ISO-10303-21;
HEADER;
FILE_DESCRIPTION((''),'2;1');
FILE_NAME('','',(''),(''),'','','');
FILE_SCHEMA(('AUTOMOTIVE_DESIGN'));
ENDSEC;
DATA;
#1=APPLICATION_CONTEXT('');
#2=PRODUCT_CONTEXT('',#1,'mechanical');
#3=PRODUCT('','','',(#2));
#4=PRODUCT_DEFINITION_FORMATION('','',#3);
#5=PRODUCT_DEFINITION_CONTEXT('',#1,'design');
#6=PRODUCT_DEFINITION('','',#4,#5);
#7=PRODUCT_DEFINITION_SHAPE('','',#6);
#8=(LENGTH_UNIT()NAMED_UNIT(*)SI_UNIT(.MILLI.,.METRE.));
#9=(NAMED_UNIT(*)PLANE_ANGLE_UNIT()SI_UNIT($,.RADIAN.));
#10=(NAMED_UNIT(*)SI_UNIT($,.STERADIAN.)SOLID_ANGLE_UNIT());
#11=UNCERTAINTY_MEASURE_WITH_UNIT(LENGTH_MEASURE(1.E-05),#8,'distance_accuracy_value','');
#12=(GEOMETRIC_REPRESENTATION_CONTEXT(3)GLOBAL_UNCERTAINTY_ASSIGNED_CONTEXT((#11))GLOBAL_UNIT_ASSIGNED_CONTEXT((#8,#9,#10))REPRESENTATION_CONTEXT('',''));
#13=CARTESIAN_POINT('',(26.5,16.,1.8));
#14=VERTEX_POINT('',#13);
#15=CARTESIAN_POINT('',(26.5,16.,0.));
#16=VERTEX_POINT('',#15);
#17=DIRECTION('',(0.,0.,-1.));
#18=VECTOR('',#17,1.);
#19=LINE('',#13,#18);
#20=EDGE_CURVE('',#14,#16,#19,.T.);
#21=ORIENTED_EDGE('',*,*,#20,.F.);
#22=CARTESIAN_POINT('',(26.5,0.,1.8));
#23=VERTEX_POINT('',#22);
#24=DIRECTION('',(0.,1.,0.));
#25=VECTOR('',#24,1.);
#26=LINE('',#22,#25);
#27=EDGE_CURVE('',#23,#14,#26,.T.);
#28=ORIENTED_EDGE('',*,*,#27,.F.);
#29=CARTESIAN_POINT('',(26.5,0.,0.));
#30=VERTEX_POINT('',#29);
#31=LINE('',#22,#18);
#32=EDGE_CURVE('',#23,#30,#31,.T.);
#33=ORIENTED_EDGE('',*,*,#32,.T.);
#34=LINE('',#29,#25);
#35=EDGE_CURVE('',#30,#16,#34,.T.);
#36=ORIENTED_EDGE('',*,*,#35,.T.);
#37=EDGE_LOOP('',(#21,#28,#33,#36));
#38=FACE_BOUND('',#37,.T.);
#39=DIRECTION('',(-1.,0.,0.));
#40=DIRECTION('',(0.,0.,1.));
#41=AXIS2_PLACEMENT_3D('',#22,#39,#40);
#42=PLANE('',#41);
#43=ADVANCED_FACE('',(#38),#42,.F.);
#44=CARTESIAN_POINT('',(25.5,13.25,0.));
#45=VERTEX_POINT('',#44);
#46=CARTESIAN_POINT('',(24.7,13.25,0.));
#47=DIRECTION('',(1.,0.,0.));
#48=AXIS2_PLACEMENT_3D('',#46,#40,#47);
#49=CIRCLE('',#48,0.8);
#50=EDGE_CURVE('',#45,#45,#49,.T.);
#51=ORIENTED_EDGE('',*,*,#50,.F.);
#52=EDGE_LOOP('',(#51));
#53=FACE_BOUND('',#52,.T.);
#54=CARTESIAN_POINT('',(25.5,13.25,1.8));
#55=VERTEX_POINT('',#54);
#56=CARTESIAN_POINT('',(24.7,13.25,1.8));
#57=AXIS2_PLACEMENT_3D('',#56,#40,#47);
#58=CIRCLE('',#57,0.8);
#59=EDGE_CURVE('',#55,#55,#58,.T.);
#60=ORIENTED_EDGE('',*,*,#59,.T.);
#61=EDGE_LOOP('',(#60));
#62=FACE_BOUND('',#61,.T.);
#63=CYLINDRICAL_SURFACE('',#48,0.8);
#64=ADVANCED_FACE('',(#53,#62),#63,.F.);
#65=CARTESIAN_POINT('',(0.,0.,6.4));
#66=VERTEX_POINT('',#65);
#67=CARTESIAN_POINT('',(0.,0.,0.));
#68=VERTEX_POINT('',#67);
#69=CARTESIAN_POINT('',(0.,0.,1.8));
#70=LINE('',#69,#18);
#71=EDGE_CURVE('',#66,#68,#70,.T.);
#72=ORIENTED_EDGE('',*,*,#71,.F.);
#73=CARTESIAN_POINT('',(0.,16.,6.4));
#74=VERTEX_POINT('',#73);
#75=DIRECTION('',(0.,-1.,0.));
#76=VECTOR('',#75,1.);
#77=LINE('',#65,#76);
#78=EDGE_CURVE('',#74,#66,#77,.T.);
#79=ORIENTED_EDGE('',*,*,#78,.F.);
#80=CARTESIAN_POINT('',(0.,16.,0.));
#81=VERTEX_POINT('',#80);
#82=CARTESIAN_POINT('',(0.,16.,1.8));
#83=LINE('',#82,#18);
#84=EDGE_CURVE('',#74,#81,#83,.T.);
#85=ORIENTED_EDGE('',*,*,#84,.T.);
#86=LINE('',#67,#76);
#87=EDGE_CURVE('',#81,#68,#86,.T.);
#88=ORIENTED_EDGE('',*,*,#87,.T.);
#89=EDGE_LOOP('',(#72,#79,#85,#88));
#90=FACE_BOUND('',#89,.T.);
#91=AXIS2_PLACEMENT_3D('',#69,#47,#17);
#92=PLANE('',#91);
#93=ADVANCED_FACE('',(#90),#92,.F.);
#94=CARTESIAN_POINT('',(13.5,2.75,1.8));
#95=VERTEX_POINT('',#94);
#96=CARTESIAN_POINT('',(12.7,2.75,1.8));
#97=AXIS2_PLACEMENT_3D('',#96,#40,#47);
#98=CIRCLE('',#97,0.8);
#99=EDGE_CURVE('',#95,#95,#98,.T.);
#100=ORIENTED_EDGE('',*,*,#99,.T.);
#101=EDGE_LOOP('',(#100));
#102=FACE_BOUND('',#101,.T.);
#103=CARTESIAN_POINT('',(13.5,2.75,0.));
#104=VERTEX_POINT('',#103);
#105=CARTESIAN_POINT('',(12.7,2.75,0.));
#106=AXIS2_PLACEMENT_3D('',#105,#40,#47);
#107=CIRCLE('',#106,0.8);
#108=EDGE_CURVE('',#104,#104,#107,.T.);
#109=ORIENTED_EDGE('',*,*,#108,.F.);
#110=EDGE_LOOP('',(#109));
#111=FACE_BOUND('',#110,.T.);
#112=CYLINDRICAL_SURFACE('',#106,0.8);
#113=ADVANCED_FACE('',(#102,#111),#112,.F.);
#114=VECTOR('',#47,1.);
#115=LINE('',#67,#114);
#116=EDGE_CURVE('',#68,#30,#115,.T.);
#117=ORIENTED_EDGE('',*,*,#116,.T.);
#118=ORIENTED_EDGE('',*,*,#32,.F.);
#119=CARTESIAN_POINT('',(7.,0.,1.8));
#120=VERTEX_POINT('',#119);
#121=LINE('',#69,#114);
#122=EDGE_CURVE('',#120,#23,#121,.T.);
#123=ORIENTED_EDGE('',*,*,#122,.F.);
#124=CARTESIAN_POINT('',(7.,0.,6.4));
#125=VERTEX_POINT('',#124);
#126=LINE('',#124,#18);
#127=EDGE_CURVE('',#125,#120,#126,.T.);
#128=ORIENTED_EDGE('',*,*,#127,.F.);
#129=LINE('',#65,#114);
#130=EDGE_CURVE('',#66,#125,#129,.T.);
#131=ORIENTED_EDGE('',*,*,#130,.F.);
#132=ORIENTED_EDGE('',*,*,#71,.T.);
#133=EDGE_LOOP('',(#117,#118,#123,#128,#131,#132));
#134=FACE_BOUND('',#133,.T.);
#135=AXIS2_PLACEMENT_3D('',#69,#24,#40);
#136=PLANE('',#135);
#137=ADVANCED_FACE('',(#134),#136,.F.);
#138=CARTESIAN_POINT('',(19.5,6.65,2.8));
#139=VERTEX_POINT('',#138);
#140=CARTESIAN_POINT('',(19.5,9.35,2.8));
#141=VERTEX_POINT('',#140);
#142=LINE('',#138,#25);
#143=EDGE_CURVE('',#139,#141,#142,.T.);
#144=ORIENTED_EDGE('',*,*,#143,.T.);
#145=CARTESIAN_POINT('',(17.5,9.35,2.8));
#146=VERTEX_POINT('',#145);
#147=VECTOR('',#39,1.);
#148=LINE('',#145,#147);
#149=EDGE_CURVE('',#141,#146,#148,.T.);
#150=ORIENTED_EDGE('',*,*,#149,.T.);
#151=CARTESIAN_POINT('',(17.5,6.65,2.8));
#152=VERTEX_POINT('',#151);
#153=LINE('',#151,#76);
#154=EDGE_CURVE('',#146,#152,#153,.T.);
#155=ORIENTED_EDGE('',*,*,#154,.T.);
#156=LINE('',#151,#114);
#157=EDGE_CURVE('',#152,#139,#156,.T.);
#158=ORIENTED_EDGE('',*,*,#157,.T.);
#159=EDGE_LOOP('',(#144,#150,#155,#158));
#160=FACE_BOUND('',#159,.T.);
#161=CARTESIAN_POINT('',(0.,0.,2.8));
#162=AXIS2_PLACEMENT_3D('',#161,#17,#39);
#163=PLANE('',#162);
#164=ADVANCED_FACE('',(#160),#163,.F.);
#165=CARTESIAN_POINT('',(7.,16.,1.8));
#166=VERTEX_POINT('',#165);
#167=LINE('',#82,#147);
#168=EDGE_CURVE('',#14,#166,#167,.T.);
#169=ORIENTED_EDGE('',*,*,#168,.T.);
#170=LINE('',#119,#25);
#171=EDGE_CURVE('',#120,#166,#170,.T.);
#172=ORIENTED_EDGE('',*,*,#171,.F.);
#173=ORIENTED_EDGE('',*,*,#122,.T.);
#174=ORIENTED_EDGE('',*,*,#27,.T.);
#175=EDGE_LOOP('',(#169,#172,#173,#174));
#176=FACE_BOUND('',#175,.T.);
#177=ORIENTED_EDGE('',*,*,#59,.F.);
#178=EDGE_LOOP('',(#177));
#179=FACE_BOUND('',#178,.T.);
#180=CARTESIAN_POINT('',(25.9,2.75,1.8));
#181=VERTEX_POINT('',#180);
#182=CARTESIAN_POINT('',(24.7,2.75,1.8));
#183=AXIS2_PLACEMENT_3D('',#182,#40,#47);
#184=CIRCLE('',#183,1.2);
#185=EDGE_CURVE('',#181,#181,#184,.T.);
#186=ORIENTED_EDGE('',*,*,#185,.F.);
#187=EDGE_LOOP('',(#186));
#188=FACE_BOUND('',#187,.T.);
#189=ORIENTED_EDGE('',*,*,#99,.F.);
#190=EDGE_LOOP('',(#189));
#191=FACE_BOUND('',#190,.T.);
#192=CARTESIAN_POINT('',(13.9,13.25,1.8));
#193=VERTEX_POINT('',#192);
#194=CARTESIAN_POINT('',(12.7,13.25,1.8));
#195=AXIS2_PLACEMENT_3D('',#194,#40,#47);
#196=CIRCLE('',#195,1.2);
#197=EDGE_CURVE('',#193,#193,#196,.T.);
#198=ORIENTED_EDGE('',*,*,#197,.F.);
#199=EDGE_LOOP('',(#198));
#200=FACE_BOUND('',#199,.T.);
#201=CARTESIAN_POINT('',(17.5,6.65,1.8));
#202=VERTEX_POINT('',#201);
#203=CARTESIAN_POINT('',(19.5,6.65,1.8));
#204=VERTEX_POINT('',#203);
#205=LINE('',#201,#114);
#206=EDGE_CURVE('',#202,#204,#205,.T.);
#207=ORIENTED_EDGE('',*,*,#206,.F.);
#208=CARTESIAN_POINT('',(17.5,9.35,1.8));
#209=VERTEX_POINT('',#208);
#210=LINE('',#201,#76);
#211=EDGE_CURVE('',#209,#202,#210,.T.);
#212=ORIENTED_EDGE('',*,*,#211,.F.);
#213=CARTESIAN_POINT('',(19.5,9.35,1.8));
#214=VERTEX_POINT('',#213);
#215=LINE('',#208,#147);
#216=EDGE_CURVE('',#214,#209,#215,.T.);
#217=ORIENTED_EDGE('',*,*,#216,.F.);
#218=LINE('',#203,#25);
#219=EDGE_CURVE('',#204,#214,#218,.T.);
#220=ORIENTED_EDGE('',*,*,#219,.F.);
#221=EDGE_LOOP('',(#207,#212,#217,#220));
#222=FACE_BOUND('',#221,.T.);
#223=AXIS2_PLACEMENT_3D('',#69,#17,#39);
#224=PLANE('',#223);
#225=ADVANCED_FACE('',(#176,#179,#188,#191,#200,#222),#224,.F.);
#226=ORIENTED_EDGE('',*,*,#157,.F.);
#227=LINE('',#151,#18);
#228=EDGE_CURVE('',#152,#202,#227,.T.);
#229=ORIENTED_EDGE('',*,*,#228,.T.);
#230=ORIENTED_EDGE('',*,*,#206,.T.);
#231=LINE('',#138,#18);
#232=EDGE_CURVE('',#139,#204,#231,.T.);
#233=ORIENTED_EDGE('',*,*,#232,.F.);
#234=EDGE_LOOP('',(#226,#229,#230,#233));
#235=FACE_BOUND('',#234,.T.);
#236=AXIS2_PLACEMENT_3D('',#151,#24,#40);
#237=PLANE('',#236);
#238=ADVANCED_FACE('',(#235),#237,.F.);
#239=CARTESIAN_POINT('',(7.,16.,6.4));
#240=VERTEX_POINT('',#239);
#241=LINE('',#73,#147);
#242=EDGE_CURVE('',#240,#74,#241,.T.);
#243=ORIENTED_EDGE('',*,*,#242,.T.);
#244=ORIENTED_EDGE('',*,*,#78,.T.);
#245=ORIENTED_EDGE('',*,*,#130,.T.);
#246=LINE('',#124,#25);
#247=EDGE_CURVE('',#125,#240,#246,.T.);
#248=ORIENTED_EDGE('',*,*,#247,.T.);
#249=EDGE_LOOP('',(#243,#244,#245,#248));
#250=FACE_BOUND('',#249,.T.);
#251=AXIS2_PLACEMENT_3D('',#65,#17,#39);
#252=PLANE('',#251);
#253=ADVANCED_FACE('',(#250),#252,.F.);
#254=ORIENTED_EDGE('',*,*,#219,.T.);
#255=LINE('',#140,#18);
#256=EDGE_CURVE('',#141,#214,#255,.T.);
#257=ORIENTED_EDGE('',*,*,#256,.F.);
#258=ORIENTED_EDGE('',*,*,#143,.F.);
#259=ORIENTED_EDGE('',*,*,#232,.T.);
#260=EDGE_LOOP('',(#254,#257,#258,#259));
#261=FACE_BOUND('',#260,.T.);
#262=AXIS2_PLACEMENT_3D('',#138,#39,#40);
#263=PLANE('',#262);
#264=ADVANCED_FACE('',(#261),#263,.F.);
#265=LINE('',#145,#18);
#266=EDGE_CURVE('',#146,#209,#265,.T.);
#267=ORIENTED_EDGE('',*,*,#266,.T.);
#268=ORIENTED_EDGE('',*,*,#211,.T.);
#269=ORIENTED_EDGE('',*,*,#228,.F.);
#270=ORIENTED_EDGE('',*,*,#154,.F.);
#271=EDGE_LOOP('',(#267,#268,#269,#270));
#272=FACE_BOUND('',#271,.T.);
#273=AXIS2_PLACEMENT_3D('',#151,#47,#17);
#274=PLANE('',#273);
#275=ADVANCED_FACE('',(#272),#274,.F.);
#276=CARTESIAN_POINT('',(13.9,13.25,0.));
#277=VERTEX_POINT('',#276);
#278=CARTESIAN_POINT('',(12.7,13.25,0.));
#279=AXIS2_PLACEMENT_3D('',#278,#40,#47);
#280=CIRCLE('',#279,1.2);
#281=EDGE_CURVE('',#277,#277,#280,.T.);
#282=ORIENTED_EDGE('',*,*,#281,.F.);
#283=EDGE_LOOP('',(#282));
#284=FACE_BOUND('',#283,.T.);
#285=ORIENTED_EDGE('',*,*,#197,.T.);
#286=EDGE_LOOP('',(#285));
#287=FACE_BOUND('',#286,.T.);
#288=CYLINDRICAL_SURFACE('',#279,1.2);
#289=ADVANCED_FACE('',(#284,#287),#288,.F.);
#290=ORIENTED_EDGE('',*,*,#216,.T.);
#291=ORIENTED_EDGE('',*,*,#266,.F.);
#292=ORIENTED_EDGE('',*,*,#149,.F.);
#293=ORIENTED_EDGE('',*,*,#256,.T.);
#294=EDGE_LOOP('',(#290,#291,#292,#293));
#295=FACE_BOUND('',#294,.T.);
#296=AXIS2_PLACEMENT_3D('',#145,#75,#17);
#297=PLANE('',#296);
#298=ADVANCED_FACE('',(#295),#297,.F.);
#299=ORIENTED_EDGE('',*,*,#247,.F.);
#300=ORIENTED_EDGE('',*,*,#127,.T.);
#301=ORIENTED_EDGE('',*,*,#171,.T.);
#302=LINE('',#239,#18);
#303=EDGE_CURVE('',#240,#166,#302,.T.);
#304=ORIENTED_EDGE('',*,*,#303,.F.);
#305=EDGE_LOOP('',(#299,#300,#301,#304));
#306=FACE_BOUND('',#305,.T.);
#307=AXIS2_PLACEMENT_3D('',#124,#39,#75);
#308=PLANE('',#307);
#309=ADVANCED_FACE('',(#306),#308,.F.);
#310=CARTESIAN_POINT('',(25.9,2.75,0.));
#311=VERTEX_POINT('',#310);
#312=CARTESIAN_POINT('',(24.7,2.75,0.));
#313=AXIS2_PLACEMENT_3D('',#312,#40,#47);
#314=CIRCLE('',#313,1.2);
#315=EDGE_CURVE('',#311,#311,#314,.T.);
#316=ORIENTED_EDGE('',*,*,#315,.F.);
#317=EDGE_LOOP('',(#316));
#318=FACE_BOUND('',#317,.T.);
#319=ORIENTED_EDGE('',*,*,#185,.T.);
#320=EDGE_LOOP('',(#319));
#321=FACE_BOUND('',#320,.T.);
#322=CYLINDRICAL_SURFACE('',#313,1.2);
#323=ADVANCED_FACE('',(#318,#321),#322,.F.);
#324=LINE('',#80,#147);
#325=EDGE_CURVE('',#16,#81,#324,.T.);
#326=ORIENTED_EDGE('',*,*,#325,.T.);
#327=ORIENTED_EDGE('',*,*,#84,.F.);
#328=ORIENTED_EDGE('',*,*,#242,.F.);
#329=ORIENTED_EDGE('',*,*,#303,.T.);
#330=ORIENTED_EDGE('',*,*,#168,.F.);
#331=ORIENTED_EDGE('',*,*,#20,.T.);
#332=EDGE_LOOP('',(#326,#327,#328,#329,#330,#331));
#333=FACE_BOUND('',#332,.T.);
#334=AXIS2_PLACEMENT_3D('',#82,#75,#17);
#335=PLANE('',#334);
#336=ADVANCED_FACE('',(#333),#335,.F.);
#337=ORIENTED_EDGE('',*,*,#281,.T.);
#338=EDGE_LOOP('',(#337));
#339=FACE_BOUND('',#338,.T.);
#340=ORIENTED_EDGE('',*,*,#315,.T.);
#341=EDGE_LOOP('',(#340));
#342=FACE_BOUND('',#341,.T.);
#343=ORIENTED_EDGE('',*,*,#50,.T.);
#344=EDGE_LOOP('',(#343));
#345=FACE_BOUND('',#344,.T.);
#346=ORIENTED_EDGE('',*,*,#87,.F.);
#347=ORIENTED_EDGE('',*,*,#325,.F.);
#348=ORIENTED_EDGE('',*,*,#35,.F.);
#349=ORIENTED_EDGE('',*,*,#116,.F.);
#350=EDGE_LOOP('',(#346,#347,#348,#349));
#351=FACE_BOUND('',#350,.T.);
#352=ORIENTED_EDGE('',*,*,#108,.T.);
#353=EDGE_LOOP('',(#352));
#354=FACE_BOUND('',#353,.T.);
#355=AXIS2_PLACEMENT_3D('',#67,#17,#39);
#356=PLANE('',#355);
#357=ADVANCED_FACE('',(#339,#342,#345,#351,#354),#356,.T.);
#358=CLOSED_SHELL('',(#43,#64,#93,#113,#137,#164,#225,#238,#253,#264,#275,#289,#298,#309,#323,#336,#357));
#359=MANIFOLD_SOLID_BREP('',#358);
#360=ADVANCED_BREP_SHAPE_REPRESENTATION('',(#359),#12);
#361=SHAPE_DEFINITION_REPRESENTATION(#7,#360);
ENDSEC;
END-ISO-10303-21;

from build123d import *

# Parameters (mm, degrees)
SKETCH2_W           = 26.5
SKETCH2_H           = 16
BOSS_EXTRUDE1_DEPTH = 1.8
SKETCH3_W           = 7
SKETCH3_H           = 16
BOSS_EXTRUDE2_DEPTH = 4.6
SKETCH4_W           = 2
SKETCH4_H           = 2.7
BOSS_EXTRUDE3_DEPTH = 1
SKETCH5_R           = 0.8
SKETCH5_R_2         = 1.2
CUT_EXTRUDE1_DEPTH  = 2.8


with BuildPart() as part:
    # Sketch2 → Boss-Extrude1 (new body)
    with BuildSketch(Plane.XY):
        with Locations((13.25, 8)):
            Rectangle(SKETCH2_W, SKETCH2_H)
    extrude(amount=BOSS_EXTRUDE1_DEPTH)

    # Sketch3 → Boss-Extrude2 (add)
    with BuildSketch(Plane.XY.offset(1.8)):
        with Locations((3.5, 8)):
            Rectangle(SKETCH3_W, SKETCH3_H)
    extrude(amount=BOSS_EXTRUDE2_DEPTH)

    # Sketch4 → Boss-Extrude3 (add)
    with BuildSketch(Plane.XY.offset(1.8)):
        with Locations((18.5, 8)):
            Rectangle(SKETCH4_W, SKETCH4_H)
    extrude(amount=BOSS_EXTRUDE3_DEPTH)

    # Sketch5 → Cut-Extrude1 (cut, through all)
    with BuildSketch(Plane.XY.offset(1.8)):
        with Locations((24.7, 13.25)):
            Circle(SKETCH5_R)
        with Locations((12.7, 2.75)):
            Circle(SKETCH5_R)
        with Locations((24.7, 2.75)):
            Circle(SKETCH5_R_2)
        with Locations((12.7, 13.25)):
            Circle(SKETCH5_R_2)
    extrude(amount=-CUT_EXTRUDE1_DEPTH, mode=Mode.SUBTRACT)


solid = part.part
